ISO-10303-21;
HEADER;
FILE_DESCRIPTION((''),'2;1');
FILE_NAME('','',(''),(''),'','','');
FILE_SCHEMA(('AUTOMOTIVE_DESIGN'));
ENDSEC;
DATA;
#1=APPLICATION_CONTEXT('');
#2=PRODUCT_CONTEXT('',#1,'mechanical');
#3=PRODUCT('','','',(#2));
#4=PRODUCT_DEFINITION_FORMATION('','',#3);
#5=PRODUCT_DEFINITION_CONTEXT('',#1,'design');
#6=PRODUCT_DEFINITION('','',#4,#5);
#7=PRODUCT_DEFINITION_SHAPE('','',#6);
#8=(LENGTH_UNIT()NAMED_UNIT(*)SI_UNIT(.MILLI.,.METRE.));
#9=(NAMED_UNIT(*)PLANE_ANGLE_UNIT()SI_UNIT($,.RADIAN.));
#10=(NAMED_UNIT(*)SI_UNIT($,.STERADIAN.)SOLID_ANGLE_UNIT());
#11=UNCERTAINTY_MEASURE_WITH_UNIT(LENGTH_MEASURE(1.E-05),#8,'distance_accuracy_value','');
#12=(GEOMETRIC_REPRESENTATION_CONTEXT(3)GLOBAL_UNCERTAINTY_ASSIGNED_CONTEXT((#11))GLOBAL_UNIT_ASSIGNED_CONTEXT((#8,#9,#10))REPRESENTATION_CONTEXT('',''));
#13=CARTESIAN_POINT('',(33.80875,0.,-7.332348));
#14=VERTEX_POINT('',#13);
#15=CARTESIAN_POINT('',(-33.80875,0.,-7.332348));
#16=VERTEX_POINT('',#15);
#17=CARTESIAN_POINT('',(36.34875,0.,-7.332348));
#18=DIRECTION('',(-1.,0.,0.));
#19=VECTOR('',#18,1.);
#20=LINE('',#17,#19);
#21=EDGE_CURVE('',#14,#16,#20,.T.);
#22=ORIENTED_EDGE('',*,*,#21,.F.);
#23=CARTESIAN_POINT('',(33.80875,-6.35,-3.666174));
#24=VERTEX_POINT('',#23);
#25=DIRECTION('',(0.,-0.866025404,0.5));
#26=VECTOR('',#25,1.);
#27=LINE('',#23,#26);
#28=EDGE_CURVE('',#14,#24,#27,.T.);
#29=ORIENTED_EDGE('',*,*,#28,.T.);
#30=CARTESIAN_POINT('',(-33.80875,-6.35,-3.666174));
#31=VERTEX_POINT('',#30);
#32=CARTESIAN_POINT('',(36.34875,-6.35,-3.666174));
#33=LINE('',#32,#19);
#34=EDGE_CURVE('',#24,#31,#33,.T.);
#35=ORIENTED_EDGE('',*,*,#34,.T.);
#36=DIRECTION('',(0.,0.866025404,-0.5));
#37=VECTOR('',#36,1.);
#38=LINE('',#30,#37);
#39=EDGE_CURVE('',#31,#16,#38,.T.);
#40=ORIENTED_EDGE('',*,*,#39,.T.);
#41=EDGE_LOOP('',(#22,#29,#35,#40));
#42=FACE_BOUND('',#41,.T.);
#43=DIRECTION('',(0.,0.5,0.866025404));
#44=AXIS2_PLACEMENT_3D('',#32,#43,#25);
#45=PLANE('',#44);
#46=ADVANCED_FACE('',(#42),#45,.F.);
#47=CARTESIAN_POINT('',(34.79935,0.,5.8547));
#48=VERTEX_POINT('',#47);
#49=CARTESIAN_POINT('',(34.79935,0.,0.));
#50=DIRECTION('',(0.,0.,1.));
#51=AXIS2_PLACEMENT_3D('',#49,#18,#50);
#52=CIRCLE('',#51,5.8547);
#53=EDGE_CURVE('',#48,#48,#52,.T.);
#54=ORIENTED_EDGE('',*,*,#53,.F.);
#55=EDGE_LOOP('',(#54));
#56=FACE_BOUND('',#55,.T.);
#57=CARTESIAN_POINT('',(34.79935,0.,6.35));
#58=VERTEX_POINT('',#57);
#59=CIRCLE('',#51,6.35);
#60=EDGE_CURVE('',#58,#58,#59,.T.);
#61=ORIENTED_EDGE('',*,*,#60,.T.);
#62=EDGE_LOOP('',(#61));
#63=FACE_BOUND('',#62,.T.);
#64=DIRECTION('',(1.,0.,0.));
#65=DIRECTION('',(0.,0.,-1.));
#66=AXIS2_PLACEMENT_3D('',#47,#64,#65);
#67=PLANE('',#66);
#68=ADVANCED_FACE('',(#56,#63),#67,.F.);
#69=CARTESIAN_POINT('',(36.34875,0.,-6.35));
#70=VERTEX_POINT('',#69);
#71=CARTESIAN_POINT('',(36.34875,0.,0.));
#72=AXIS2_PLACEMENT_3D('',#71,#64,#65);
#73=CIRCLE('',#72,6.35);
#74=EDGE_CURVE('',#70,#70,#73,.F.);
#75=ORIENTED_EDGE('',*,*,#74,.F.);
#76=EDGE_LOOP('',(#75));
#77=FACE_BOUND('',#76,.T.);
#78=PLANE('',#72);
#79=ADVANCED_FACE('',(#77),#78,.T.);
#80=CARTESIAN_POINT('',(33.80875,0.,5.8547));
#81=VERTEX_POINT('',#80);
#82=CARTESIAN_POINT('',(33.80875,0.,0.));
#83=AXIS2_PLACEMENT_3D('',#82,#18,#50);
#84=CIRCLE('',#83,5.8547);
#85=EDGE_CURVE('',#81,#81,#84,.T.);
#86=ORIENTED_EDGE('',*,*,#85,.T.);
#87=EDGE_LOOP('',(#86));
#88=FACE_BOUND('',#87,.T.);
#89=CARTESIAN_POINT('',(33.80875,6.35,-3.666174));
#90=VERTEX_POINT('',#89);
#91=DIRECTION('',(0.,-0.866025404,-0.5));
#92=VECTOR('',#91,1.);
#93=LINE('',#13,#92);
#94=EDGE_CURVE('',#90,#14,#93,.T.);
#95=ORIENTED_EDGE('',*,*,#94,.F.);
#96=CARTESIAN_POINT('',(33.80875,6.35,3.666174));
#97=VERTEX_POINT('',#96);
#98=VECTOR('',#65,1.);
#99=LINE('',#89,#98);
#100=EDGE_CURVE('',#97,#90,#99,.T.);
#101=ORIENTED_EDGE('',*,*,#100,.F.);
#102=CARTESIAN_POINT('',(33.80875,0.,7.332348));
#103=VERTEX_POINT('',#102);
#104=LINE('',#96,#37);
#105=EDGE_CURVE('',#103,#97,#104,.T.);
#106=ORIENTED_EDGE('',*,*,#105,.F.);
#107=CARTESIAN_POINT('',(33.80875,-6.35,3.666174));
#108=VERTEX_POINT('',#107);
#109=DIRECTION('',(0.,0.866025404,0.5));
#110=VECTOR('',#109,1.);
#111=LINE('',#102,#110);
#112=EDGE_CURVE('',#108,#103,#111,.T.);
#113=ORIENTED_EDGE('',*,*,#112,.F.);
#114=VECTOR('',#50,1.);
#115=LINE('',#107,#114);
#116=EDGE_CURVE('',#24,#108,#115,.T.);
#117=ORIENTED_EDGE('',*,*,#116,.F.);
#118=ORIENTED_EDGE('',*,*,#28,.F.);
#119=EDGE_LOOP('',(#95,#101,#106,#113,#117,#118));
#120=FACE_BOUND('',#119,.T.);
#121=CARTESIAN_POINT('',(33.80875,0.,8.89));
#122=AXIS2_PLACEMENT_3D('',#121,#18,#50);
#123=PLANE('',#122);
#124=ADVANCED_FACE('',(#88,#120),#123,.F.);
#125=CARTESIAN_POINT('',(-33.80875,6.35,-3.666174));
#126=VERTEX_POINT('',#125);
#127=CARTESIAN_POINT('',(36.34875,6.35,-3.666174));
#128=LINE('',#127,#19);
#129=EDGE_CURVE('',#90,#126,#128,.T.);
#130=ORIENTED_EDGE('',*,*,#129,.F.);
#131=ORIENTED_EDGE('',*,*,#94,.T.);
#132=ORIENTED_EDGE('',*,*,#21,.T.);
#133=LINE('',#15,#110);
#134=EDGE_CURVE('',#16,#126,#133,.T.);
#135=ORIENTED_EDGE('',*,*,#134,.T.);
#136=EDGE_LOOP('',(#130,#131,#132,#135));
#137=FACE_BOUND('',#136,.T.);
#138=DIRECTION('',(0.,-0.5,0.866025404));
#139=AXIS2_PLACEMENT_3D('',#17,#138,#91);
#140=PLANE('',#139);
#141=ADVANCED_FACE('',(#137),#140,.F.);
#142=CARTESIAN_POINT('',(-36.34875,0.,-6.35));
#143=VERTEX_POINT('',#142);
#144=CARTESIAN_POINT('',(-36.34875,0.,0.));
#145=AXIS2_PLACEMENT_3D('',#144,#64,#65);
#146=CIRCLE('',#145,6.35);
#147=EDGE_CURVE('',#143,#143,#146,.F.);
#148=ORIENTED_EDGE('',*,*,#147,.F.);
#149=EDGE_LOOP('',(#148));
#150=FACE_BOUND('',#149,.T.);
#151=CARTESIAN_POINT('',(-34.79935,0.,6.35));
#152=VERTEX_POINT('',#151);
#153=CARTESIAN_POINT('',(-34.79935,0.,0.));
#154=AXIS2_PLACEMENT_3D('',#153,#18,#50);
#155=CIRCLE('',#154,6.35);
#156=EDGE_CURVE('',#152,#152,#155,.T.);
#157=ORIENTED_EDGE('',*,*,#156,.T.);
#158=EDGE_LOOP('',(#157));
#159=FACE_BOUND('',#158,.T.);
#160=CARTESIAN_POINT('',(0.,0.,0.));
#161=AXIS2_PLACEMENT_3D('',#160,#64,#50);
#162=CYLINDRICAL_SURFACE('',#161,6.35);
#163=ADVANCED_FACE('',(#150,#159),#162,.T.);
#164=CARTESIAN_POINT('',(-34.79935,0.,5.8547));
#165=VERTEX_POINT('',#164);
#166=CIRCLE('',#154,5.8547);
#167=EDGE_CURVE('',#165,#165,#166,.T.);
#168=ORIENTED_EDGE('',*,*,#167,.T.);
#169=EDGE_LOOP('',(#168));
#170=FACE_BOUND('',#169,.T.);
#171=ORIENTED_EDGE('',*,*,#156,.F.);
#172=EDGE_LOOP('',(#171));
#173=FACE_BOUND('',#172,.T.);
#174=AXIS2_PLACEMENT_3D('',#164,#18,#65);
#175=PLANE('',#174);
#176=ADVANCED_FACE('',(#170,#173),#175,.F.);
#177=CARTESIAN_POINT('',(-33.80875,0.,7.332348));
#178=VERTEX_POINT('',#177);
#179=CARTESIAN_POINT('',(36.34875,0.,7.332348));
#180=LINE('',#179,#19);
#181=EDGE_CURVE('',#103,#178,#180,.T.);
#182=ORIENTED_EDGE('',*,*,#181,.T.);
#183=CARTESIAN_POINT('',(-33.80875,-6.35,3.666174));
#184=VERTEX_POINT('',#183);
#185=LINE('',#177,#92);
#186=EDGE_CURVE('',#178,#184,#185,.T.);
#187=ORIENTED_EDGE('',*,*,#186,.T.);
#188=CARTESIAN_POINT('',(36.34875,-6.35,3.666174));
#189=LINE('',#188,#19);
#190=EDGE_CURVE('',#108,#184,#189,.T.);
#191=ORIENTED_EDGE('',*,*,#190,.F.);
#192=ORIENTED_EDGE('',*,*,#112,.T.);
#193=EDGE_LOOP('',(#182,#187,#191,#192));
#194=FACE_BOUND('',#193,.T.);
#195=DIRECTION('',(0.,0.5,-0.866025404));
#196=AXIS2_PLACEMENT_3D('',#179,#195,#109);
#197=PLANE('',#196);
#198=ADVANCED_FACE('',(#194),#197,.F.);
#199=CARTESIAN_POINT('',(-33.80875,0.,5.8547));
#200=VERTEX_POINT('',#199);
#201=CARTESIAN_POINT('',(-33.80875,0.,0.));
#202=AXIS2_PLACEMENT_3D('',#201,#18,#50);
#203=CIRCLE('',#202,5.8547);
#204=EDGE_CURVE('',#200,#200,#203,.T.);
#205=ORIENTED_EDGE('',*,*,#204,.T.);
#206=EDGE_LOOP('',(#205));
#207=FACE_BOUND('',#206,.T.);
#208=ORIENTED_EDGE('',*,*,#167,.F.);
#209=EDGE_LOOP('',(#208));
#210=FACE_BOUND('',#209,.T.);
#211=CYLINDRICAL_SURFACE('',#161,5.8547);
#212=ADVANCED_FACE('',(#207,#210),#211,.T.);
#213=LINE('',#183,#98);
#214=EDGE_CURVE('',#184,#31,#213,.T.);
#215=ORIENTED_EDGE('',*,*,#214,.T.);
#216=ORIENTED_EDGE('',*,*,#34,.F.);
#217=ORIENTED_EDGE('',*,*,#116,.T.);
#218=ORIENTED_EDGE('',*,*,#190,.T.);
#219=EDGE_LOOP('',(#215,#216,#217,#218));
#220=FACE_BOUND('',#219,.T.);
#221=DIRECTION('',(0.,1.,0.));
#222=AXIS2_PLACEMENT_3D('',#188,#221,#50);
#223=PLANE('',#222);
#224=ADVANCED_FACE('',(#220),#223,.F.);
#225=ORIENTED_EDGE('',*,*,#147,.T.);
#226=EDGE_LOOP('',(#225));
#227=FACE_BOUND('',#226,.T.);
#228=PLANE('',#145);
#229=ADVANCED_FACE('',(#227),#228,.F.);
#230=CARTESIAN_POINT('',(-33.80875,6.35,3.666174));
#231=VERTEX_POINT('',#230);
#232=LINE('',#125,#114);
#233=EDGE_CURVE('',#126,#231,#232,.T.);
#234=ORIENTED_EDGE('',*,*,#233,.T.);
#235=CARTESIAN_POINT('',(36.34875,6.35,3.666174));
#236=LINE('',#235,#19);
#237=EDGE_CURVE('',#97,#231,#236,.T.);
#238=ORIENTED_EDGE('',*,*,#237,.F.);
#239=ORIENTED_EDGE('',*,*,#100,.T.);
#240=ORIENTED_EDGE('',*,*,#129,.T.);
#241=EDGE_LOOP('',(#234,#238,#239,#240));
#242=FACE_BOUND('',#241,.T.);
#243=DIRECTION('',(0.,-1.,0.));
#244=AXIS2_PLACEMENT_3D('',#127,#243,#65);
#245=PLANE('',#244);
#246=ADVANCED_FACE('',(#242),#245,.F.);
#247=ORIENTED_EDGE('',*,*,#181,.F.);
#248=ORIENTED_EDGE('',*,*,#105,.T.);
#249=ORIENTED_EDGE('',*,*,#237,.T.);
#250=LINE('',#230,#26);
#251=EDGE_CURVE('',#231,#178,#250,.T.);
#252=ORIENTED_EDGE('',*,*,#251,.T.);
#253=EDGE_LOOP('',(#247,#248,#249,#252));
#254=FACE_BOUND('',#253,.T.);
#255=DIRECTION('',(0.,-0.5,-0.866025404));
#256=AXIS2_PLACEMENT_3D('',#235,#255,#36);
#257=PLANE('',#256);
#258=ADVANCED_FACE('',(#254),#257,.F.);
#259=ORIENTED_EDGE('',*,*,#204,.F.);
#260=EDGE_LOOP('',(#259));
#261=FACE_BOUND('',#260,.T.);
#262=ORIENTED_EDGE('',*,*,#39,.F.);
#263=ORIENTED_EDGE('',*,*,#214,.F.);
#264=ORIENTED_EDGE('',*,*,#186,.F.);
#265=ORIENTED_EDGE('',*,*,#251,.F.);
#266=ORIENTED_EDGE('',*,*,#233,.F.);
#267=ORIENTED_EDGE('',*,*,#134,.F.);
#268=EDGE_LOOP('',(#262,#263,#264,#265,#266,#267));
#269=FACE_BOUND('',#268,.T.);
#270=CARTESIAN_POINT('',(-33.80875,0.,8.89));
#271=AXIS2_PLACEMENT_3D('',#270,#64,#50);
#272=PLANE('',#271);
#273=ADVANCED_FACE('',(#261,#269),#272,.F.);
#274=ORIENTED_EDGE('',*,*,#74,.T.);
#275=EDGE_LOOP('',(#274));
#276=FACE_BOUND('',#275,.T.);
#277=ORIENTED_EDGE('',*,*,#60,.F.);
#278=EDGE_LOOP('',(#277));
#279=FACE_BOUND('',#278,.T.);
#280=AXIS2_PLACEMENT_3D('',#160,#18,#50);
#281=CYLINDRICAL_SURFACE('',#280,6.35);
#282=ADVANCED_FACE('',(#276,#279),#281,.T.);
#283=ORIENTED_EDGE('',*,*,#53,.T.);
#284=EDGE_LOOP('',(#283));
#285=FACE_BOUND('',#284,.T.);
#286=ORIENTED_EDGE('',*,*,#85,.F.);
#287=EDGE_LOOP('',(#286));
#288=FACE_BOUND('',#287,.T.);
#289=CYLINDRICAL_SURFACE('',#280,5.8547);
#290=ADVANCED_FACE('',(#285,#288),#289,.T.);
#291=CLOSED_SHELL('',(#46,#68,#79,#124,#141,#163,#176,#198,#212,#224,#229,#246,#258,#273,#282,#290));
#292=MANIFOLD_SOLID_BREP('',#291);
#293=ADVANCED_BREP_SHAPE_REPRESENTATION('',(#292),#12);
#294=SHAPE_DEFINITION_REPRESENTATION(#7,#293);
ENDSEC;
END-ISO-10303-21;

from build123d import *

# Parameters (mm, degrees)
BOSS_EXTRUDE1_DEPTH = 36.34875001


with BuildPart() as part:
    # Sketch1 → Boss-Extrude1 (new, symmetric)
    with BuildSketch(Plane(origin=(0, 0, 0), x_dir=(0, 0, -1), z_dir=(1, 0, 0))):
        Polygon((7.332348419, 0), (3.666174209, 6.35), (-3.666174209, 6.35), (-7.332348419, 0), (-3.666174209, -6.35), (3.666174209, -6.35), align=None)
    extrude(amount=BOSS_EXTRUDE1_DEPTH, both=True)

    # Sketch2 → Cut-Revolve1 (revolve, cut)
    with BuildSketch(Plane(origin=(0, 0, 0), x_dir=(1, 0, 0), z_dir=(0, 1, 0))):
        Polygon((33.80875001, -5.8547), (34.79935001, -5.8547), (34.79935001, -6.35), (36.34875001, -6.35), (36.34875001, -8.89), (33.80875001, -8.89), align=None)
    cut_revolve1 = revolve(axis=Axis((0, 0, 0), (1, 0, 0)), mode=Mode.SUBTRACT)

    # Mirror1: Cut-Revolve1 across plane
    add(cut_revolve1.mirror(Plane(origin=(0, 0, 0), x_dir=(0, 0, 1), z_dir=(1, 0, 0))), mode=Mode.SUBTRACT)


solid = part.part
